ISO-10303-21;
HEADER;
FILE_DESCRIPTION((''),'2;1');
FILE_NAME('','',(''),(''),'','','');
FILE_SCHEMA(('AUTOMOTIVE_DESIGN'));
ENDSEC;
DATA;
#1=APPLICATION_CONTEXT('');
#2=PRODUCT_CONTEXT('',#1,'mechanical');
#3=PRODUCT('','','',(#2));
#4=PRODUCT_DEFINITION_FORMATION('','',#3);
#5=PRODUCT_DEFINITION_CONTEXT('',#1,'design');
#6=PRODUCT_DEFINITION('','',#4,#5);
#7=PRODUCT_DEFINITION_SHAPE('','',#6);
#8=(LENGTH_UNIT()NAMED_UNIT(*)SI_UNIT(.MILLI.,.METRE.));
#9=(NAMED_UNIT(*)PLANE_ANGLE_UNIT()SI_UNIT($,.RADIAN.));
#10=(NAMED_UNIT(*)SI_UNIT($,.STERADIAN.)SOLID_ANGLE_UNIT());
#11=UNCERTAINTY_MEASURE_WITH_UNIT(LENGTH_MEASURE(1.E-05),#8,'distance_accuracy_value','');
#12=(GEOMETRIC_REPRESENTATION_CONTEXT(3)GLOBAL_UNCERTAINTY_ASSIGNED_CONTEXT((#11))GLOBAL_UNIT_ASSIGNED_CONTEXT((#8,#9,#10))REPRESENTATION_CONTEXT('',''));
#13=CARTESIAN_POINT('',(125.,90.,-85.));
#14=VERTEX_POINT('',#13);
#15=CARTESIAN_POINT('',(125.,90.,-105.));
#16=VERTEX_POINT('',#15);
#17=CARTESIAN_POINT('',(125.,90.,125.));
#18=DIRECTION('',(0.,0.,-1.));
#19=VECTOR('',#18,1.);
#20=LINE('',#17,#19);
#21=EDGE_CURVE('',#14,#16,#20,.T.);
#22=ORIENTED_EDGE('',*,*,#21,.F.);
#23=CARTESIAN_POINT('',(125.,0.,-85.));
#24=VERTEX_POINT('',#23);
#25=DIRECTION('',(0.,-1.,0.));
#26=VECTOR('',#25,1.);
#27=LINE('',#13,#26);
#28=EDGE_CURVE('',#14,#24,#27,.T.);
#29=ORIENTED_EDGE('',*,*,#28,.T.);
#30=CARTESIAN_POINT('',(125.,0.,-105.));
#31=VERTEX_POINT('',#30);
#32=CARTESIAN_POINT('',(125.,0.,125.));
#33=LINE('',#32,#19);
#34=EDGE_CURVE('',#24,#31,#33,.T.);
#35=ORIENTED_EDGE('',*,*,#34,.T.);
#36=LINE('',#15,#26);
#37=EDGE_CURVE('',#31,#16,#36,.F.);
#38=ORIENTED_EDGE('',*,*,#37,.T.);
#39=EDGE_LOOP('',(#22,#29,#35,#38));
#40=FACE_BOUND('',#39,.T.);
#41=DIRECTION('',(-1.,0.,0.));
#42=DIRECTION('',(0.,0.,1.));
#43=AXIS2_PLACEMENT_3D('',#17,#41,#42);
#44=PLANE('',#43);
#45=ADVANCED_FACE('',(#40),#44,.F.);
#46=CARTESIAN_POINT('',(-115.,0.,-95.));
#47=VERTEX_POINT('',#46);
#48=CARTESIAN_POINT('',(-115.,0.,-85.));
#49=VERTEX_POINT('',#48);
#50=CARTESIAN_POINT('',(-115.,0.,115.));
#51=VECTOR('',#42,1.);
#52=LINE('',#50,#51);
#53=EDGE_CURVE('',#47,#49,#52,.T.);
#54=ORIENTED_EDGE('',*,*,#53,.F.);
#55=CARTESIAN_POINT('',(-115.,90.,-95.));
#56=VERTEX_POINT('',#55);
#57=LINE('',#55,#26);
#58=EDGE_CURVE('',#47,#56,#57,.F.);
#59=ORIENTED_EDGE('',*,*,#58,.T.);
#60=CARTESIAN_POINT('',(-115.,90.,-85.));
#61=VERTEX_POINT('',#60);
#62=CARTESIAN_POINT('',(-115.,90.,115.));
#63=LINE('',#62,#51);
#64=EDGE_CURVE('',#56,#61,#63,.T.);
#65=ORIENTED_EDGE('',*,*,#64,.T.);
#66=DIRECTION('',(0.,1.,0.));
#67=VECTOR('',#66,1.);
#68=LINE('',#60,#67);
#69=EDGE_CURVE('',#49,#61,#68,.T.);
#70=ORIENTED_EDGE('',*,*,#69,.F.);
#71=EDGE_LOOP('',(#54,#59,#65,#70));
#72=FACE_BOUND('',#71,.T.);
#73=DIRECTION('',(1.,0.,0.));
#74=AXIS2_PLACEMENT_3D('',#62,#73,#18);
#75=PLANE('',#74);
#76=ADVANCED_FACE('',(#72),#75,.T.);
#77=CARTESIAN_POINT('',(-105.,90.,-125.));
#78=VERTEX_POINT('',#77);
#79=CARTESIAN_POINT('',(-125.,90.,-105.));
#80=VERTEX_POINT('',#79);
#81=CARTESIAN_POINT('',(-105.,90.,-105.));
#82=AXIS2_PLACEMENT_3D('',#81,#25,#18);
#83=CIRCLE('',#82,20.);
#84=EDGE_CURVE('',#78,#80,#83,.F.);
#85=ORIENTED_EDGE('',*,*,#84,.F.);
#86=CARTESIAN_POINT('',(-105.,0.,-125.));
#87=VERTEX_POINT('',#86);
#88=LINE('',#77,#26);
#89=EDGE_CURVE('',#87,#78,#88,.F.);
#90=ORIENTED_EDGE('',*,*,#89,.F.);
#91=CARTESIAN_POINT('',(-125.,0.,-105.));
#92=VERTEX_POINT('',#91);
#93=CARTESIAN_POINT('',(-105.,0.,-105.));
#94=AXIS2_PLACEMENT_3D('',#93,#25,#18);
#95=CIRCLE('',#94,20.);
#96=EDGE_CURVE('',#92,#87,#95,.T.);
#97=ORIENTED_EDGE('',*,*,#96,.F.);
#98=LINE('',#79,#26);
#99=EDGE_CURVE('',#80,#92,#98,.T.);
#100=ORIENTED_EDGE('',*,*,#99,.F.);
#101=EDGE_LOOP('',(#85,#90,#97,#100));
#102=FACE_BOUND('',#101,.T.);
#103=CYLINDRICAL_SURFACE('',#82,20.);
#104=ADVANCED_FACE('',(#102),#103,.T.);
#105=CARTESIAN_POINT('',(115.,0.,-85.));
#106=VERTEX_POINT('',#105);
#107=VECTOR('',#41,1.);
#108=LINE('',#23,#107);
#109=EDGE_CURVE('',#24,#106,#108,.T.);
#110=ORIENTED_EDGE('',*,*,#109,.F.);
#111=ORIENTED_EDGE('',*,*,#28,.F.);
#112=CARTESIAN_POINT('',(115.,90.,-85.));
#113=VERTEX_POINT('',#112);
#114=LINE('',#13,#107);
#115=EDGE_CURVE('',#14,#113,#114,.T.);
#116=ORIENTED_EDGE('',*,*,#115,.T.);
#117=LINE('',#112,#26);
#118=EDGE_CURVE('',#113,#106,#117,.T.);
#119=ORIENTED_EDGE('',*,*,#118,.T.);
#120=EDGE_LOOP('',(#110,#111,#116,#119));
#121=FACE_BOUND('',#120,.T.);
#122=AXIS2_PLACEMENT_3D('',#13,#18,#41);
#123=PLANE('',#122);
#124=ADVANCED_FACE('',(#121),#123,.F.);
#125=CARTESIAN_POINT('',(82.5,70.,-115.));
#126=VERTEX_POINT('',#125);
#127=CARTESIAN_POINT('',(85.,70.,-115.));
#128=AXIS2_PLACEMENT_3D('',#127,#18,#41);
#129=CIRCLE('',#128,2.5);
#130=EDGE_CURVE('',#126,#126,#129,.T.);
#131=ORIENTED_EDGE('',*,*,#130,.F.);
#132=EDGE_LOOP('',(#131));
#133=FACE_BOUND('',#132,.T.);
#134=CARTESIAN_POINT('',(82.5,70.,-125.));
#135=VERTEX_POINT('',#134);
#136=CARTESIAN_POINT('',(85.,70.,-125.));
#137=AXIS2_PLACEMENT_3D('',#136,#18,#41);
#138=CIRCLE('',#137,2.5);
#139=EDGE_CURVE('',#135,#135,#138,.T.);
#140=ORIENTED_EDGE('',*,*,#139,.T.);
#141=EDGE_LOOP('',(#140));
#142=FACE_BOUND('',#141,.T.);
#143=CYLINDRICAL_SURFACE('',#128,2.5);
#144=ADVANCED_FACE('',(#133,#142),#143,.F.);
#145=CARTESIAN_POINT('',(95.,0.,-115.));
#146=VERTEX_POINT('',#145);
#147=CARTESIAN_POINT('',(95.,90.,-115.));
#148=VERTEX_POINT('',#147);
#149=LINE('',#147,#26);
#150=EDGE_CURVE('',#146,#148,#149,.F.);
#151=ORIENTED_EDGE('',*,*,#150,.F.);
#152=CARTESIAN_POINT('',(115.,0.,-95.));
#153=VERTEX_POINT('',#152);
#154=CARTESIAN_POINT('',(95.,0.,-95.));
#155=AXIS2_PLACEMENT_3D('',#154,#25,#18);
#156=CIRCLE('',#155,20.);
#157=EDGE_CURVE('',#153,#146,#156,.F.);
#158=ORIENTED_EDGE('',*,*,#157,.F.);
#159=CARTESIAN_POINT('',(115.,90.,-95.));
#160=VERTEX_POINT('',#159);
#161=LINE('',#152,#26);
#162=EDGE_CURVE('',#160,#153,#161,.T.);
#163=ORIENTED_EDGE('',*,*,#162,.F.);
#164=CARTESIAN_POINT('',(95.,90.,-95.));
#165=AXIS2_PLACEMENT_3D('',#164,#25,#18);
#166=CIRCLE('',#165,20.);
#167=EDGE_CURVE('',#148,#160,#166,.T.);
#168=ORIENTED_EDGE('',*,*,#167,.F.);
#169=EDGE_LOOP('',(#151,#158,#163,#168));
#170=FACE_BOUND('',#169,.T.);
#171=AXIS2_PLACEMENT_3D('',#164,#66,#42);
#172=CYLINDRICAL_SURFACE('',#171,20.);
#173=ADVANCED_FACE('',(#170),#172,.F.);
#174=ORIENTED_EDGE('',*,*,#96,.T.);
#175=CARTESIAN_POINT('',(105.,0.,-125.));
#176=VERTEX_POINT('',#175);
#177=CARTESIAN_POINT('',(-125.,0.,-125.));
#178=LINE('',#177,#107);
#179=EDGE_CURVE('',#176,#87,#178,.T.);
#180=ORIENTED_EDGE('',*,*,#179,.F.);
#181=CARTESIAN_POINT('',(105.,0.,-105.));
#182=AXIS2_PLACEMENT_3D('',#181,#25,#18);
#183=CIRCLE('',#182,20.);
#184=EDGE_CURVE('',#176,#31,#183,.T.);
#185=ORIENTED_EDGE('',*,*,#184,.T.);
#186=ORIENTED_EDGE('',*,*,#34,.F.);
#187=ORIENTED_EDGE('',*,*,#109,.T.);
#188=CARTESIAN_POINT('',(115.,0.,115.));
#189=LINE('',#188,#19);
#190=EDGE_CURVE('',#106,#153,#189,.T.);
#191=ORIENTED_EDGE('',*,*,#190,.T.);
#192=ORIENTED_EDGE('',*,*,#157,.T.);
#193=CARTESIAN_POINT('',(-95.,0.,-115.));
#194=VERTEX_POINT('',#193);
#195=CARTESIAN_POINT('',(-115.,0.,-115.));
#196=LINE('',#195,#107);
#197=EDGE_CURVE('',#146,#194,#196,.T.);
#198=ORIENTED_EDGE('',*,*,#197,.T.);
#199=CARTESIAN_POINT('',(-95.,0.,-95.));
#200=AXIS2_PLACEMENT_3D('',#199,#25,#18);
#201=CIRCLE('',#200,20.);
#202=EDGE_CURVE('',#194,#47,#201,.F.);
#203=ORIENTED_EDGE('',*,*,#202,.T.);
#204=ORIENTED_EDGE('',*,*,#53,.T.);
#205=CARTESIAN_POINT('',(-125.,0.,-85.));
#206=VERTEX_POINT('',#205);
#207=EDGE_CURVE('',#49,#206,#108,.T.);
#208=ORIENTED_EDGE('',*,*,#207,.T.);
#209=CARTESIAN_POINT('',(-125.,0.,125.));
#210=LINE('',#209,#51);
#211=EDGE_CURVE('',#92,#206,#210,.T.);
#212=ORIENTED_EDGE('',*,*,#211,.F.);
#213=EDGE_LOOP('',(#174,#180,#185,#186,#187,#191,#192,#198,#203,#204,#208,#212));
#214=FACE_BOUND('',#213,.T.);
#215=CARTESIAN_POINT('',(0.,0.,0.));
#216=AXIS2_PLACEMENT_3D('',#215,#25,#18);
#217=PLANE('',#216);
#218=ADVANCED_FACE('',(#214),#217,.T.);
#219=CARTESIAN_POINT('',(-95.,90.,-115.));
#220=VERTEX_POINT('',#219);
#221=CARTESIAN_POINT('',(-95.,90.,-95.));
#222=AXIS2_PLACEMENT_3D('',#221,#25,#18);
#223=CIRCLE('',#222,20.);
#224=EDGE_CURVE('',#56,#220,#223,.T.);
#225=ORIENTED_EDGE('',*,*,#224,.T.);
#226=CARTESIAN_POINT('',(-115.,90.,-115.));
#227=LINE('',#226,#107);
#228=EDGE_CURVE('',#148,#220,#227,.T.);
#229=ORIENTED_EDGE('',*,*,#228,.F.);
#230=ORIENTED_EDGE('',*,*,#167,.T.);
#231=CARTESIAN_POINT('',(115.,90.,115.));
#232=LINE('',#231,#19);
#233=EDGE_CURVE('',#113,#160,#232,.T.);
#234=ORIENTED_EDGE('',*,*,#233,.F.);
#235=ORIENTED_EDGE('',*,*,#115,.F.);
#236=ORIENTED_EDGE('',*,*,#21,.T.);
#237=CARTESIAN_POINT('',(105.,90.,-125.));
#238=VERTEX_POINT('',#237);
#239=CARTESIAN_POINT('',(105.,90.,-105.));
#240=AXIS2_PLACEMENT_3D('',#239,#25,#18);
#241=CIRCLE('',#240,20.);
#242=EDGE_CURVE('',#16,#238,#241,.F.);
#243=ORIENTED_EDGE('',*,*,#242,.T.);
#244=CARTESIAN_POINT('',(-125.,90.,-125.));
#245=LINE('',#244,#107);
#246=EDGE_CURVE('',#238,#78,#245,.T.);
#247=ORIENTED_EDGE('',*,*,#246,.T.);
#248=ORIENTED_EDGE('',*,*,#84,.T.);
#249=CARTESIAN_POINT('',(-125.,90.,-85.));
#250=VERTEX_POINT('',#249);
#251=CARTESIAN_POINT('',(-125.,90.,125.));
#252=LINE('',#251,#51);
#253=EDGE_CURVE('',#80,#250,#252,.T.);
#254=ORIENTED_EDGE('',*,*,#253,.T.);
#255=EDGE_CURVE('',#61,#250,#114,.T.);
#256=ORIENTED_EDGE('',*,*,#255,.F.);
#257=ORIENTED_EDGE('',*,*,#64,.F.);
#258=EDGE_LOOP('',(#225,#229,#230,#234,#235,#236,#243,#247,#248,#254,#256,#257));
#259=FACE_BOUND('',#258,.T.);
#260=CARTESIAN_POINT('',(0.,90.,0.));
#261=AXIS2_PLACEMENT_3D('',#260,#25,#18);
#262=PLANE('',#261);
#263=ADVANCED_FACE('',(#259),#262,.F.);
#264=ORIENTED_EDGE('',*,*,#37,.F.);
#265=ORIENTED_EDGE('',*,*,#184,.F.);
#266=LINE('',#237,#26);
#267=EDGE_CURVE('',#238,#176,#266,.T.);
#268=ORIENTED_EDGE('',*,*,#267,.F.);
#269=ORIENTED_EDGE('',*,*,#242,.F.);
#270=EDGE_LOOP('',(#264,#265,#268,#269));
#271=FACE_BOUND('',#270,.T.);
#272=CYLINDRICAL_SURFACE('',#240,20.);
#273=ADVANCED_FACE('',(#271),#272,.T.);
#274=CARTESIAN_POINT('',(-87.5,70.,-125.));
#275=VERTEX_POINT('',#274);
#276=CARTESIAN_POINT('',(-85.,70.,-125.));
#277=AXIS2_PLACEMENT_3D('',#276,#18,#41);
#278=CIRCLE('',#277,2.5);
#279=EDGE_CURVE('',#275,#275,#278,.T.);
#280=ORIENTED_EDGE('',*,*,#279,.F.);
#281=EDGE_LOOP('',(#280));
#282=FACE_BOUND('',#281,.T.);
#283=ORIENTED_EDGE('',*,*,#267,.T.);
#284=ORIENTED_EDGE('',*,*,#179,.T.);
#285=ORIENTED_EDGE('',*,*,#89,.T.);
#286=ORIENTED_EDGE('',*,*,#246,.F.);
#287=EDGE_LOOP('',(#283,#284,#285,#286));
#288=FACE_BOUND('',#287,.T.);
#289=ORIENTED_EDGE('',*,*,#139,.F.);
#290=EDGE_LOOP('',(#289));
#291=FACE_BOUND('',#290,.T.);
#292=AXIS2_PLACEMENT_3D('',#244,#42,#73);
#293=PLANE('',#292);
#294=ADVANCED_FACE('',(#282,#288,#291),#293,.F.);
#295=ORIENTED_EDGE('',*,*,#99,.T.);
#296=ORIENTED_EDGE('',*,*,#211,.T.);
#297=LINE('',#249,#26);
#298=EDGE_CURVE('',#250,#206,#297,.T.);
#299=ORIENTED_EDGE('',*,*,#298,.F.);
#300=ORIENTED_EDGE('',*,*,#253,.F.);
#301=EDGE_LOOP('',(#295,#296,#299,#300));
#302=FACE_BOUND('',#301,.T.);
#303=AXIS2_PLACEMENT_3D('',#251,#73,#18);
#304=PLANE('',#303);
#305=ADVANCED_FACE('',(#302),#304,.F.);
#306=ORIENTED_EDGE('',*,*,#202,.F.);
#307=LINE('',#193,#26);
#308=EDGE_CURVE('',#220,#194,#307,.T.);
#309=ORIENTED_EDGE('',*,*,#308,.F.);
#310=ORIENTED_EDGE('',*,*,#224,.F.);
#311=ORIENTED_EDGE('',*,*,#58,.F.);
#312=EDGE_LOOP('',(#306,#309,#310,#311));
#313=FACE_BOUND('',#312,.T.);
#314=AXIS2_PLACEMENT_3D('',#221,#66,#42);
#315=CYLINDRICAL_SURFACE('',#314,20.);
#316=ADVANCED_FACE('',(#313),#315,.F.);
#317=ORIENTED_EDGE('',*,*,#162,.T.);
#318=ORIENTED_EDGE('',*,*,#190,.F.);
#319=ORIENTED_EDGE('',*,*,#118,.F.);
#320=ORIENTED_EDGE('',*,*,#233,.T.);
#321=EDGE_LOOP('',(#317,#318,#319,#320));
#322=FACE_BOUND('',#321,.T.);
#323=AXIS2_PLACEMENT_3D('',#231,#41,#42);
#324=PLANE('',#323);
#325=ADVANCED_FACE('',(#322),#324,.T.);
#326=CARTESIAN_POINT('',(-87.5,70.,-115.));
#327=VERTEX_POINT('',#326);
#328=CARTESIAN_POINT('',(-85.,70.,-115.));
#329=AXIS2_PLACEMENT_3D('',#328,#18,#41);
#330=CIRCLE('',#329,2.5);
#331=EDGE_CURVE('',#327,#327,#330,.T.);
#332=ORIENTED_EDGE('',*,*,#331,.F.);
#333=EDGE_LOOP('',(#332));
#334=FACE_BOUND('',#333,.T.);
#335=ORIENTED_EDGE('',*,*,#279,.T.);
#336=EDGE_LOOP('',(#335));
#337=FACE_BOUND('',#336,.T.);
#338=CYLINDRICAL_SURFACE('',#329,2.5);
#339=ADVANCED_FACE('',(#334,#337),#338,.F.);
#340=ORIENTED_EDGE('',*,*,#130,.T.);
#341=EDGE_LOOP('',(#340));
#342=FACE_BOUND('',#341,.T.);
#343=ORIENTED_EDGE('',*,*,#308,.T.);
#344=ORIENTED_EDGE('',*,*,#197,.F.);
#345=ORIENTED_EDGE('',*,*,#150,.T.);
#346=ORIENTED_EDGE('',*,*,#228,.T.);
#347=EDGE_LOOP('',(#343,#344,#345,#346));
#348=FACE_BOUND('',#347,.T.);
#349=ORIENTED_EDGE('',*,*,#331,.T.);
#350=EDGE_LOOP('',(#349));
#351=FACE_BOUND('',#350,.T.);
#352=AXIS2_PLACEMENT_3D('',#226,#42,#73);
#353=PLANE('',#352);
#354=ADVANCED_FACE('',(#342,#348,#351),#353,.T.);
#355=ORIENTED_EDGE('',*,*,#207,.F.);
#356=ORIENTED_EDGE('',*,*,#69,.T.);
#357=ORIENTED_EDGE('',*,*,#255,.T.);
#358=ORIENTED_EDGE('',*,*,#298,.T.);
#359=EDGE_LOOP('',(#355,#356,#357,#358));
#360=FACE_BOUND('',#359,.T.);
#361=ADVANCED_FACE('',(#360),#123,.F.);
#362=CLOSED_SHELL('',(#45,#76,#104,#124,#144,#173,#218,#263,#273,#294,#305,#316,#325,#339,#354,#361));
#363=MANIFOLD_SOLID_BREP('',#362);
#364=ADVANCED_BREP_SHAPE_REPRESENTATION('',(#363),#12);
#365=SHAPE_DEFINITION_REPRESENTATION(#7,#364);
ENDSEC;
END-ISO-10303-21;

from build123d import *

# Parameters (mm, degrees)
SKETCH1_W           = 250
SKETCH1_H           = 250
SKETCH1_W_2         = 230
SKETCH1_H_2         = 230
BOSS_EXTRUDE1_DEPTH = 90
SKETCH2_W           = 200
SKETCH2_H           = 70
CUT_EXTRUDE1_DEPTH  = 50
FILLET1_R           = 20
SKETCH3_W           = 210
SKETCH3_H           = 90
CUT_EXTRUDE2_DEPTH  = 251
SKETCH4_R           = 2.5
CUT_EXTRUDE3_DEPTH  = 10


with BuildPart() as part:
    # Sketch1 → Boss-Extrude1 (new body)
    with BuildSketch(Plane(origin=(0, 0, 0), x_dir=(1, 0, 0), z_dir=(0, 1, 0))):
        Rectangle(SKETCH1_W, SKETCH1_H)
        Rectangle(SKETCH1_W_2, SKETCH1_H_2, mode=Mode.SUBTRACT)
    extrude(amount=BOSS_EXTRUDE1_DEPTH)

    # Sketch2 → Cut-Extrude1 (cut)
    with BuildSketch(Plane.XY.offset(125)):
        with Locations((0, 35)):
            Rectangle(SKETCH2_W, SKETCH2_H)
    extrude(amount=-CUT_EXTRUDE1_DEPTH, mode=Mode.SUBTRACT)

    # Fillet1
    fillet1_edges = [part.edges().sort_by_distance(p)[0] for p in [
        (-115, 45, 115),
        (115, 45, 115),
        (115, 45, -115),
        (-115, 45, -115),
        (-125, 45, 125),
        (125, 45, 125),
        (125, 45, -125),
        (-125, 45, -125),
    ]]
    fillet(fillet1_edges, radius=FILLET1_R)

    # Sketch3 → Cut-Extrude2 (cut, through all)
    with BuildSketch(Plane.ZY.offset(125)):
        with Locations((20, 45)):
            Rectangle(SKETCH3_W, SKETCH3_H)
    extrude(amount=-CUT_EXTRUDE2_DEPTH, mode=Mode.SUBTRACT)

    # Sketch4 → Cut-Extrude3 (cut)
    with BuildSketch(Plane(origin=(0, 0, -125), x_dir=(-1, 0, 0), z_dir=(0, 0, -1))):
        with Locations((85, 70)):
            Circle(SKETCH4_R)
        with Locations((-85, 70)):
            Circle(SKETCH4_R)
    extrude(amount=-CUT_EXTRUDE3_DEPTH, mode=Mode.SUBTRACT)


solid = part.part
